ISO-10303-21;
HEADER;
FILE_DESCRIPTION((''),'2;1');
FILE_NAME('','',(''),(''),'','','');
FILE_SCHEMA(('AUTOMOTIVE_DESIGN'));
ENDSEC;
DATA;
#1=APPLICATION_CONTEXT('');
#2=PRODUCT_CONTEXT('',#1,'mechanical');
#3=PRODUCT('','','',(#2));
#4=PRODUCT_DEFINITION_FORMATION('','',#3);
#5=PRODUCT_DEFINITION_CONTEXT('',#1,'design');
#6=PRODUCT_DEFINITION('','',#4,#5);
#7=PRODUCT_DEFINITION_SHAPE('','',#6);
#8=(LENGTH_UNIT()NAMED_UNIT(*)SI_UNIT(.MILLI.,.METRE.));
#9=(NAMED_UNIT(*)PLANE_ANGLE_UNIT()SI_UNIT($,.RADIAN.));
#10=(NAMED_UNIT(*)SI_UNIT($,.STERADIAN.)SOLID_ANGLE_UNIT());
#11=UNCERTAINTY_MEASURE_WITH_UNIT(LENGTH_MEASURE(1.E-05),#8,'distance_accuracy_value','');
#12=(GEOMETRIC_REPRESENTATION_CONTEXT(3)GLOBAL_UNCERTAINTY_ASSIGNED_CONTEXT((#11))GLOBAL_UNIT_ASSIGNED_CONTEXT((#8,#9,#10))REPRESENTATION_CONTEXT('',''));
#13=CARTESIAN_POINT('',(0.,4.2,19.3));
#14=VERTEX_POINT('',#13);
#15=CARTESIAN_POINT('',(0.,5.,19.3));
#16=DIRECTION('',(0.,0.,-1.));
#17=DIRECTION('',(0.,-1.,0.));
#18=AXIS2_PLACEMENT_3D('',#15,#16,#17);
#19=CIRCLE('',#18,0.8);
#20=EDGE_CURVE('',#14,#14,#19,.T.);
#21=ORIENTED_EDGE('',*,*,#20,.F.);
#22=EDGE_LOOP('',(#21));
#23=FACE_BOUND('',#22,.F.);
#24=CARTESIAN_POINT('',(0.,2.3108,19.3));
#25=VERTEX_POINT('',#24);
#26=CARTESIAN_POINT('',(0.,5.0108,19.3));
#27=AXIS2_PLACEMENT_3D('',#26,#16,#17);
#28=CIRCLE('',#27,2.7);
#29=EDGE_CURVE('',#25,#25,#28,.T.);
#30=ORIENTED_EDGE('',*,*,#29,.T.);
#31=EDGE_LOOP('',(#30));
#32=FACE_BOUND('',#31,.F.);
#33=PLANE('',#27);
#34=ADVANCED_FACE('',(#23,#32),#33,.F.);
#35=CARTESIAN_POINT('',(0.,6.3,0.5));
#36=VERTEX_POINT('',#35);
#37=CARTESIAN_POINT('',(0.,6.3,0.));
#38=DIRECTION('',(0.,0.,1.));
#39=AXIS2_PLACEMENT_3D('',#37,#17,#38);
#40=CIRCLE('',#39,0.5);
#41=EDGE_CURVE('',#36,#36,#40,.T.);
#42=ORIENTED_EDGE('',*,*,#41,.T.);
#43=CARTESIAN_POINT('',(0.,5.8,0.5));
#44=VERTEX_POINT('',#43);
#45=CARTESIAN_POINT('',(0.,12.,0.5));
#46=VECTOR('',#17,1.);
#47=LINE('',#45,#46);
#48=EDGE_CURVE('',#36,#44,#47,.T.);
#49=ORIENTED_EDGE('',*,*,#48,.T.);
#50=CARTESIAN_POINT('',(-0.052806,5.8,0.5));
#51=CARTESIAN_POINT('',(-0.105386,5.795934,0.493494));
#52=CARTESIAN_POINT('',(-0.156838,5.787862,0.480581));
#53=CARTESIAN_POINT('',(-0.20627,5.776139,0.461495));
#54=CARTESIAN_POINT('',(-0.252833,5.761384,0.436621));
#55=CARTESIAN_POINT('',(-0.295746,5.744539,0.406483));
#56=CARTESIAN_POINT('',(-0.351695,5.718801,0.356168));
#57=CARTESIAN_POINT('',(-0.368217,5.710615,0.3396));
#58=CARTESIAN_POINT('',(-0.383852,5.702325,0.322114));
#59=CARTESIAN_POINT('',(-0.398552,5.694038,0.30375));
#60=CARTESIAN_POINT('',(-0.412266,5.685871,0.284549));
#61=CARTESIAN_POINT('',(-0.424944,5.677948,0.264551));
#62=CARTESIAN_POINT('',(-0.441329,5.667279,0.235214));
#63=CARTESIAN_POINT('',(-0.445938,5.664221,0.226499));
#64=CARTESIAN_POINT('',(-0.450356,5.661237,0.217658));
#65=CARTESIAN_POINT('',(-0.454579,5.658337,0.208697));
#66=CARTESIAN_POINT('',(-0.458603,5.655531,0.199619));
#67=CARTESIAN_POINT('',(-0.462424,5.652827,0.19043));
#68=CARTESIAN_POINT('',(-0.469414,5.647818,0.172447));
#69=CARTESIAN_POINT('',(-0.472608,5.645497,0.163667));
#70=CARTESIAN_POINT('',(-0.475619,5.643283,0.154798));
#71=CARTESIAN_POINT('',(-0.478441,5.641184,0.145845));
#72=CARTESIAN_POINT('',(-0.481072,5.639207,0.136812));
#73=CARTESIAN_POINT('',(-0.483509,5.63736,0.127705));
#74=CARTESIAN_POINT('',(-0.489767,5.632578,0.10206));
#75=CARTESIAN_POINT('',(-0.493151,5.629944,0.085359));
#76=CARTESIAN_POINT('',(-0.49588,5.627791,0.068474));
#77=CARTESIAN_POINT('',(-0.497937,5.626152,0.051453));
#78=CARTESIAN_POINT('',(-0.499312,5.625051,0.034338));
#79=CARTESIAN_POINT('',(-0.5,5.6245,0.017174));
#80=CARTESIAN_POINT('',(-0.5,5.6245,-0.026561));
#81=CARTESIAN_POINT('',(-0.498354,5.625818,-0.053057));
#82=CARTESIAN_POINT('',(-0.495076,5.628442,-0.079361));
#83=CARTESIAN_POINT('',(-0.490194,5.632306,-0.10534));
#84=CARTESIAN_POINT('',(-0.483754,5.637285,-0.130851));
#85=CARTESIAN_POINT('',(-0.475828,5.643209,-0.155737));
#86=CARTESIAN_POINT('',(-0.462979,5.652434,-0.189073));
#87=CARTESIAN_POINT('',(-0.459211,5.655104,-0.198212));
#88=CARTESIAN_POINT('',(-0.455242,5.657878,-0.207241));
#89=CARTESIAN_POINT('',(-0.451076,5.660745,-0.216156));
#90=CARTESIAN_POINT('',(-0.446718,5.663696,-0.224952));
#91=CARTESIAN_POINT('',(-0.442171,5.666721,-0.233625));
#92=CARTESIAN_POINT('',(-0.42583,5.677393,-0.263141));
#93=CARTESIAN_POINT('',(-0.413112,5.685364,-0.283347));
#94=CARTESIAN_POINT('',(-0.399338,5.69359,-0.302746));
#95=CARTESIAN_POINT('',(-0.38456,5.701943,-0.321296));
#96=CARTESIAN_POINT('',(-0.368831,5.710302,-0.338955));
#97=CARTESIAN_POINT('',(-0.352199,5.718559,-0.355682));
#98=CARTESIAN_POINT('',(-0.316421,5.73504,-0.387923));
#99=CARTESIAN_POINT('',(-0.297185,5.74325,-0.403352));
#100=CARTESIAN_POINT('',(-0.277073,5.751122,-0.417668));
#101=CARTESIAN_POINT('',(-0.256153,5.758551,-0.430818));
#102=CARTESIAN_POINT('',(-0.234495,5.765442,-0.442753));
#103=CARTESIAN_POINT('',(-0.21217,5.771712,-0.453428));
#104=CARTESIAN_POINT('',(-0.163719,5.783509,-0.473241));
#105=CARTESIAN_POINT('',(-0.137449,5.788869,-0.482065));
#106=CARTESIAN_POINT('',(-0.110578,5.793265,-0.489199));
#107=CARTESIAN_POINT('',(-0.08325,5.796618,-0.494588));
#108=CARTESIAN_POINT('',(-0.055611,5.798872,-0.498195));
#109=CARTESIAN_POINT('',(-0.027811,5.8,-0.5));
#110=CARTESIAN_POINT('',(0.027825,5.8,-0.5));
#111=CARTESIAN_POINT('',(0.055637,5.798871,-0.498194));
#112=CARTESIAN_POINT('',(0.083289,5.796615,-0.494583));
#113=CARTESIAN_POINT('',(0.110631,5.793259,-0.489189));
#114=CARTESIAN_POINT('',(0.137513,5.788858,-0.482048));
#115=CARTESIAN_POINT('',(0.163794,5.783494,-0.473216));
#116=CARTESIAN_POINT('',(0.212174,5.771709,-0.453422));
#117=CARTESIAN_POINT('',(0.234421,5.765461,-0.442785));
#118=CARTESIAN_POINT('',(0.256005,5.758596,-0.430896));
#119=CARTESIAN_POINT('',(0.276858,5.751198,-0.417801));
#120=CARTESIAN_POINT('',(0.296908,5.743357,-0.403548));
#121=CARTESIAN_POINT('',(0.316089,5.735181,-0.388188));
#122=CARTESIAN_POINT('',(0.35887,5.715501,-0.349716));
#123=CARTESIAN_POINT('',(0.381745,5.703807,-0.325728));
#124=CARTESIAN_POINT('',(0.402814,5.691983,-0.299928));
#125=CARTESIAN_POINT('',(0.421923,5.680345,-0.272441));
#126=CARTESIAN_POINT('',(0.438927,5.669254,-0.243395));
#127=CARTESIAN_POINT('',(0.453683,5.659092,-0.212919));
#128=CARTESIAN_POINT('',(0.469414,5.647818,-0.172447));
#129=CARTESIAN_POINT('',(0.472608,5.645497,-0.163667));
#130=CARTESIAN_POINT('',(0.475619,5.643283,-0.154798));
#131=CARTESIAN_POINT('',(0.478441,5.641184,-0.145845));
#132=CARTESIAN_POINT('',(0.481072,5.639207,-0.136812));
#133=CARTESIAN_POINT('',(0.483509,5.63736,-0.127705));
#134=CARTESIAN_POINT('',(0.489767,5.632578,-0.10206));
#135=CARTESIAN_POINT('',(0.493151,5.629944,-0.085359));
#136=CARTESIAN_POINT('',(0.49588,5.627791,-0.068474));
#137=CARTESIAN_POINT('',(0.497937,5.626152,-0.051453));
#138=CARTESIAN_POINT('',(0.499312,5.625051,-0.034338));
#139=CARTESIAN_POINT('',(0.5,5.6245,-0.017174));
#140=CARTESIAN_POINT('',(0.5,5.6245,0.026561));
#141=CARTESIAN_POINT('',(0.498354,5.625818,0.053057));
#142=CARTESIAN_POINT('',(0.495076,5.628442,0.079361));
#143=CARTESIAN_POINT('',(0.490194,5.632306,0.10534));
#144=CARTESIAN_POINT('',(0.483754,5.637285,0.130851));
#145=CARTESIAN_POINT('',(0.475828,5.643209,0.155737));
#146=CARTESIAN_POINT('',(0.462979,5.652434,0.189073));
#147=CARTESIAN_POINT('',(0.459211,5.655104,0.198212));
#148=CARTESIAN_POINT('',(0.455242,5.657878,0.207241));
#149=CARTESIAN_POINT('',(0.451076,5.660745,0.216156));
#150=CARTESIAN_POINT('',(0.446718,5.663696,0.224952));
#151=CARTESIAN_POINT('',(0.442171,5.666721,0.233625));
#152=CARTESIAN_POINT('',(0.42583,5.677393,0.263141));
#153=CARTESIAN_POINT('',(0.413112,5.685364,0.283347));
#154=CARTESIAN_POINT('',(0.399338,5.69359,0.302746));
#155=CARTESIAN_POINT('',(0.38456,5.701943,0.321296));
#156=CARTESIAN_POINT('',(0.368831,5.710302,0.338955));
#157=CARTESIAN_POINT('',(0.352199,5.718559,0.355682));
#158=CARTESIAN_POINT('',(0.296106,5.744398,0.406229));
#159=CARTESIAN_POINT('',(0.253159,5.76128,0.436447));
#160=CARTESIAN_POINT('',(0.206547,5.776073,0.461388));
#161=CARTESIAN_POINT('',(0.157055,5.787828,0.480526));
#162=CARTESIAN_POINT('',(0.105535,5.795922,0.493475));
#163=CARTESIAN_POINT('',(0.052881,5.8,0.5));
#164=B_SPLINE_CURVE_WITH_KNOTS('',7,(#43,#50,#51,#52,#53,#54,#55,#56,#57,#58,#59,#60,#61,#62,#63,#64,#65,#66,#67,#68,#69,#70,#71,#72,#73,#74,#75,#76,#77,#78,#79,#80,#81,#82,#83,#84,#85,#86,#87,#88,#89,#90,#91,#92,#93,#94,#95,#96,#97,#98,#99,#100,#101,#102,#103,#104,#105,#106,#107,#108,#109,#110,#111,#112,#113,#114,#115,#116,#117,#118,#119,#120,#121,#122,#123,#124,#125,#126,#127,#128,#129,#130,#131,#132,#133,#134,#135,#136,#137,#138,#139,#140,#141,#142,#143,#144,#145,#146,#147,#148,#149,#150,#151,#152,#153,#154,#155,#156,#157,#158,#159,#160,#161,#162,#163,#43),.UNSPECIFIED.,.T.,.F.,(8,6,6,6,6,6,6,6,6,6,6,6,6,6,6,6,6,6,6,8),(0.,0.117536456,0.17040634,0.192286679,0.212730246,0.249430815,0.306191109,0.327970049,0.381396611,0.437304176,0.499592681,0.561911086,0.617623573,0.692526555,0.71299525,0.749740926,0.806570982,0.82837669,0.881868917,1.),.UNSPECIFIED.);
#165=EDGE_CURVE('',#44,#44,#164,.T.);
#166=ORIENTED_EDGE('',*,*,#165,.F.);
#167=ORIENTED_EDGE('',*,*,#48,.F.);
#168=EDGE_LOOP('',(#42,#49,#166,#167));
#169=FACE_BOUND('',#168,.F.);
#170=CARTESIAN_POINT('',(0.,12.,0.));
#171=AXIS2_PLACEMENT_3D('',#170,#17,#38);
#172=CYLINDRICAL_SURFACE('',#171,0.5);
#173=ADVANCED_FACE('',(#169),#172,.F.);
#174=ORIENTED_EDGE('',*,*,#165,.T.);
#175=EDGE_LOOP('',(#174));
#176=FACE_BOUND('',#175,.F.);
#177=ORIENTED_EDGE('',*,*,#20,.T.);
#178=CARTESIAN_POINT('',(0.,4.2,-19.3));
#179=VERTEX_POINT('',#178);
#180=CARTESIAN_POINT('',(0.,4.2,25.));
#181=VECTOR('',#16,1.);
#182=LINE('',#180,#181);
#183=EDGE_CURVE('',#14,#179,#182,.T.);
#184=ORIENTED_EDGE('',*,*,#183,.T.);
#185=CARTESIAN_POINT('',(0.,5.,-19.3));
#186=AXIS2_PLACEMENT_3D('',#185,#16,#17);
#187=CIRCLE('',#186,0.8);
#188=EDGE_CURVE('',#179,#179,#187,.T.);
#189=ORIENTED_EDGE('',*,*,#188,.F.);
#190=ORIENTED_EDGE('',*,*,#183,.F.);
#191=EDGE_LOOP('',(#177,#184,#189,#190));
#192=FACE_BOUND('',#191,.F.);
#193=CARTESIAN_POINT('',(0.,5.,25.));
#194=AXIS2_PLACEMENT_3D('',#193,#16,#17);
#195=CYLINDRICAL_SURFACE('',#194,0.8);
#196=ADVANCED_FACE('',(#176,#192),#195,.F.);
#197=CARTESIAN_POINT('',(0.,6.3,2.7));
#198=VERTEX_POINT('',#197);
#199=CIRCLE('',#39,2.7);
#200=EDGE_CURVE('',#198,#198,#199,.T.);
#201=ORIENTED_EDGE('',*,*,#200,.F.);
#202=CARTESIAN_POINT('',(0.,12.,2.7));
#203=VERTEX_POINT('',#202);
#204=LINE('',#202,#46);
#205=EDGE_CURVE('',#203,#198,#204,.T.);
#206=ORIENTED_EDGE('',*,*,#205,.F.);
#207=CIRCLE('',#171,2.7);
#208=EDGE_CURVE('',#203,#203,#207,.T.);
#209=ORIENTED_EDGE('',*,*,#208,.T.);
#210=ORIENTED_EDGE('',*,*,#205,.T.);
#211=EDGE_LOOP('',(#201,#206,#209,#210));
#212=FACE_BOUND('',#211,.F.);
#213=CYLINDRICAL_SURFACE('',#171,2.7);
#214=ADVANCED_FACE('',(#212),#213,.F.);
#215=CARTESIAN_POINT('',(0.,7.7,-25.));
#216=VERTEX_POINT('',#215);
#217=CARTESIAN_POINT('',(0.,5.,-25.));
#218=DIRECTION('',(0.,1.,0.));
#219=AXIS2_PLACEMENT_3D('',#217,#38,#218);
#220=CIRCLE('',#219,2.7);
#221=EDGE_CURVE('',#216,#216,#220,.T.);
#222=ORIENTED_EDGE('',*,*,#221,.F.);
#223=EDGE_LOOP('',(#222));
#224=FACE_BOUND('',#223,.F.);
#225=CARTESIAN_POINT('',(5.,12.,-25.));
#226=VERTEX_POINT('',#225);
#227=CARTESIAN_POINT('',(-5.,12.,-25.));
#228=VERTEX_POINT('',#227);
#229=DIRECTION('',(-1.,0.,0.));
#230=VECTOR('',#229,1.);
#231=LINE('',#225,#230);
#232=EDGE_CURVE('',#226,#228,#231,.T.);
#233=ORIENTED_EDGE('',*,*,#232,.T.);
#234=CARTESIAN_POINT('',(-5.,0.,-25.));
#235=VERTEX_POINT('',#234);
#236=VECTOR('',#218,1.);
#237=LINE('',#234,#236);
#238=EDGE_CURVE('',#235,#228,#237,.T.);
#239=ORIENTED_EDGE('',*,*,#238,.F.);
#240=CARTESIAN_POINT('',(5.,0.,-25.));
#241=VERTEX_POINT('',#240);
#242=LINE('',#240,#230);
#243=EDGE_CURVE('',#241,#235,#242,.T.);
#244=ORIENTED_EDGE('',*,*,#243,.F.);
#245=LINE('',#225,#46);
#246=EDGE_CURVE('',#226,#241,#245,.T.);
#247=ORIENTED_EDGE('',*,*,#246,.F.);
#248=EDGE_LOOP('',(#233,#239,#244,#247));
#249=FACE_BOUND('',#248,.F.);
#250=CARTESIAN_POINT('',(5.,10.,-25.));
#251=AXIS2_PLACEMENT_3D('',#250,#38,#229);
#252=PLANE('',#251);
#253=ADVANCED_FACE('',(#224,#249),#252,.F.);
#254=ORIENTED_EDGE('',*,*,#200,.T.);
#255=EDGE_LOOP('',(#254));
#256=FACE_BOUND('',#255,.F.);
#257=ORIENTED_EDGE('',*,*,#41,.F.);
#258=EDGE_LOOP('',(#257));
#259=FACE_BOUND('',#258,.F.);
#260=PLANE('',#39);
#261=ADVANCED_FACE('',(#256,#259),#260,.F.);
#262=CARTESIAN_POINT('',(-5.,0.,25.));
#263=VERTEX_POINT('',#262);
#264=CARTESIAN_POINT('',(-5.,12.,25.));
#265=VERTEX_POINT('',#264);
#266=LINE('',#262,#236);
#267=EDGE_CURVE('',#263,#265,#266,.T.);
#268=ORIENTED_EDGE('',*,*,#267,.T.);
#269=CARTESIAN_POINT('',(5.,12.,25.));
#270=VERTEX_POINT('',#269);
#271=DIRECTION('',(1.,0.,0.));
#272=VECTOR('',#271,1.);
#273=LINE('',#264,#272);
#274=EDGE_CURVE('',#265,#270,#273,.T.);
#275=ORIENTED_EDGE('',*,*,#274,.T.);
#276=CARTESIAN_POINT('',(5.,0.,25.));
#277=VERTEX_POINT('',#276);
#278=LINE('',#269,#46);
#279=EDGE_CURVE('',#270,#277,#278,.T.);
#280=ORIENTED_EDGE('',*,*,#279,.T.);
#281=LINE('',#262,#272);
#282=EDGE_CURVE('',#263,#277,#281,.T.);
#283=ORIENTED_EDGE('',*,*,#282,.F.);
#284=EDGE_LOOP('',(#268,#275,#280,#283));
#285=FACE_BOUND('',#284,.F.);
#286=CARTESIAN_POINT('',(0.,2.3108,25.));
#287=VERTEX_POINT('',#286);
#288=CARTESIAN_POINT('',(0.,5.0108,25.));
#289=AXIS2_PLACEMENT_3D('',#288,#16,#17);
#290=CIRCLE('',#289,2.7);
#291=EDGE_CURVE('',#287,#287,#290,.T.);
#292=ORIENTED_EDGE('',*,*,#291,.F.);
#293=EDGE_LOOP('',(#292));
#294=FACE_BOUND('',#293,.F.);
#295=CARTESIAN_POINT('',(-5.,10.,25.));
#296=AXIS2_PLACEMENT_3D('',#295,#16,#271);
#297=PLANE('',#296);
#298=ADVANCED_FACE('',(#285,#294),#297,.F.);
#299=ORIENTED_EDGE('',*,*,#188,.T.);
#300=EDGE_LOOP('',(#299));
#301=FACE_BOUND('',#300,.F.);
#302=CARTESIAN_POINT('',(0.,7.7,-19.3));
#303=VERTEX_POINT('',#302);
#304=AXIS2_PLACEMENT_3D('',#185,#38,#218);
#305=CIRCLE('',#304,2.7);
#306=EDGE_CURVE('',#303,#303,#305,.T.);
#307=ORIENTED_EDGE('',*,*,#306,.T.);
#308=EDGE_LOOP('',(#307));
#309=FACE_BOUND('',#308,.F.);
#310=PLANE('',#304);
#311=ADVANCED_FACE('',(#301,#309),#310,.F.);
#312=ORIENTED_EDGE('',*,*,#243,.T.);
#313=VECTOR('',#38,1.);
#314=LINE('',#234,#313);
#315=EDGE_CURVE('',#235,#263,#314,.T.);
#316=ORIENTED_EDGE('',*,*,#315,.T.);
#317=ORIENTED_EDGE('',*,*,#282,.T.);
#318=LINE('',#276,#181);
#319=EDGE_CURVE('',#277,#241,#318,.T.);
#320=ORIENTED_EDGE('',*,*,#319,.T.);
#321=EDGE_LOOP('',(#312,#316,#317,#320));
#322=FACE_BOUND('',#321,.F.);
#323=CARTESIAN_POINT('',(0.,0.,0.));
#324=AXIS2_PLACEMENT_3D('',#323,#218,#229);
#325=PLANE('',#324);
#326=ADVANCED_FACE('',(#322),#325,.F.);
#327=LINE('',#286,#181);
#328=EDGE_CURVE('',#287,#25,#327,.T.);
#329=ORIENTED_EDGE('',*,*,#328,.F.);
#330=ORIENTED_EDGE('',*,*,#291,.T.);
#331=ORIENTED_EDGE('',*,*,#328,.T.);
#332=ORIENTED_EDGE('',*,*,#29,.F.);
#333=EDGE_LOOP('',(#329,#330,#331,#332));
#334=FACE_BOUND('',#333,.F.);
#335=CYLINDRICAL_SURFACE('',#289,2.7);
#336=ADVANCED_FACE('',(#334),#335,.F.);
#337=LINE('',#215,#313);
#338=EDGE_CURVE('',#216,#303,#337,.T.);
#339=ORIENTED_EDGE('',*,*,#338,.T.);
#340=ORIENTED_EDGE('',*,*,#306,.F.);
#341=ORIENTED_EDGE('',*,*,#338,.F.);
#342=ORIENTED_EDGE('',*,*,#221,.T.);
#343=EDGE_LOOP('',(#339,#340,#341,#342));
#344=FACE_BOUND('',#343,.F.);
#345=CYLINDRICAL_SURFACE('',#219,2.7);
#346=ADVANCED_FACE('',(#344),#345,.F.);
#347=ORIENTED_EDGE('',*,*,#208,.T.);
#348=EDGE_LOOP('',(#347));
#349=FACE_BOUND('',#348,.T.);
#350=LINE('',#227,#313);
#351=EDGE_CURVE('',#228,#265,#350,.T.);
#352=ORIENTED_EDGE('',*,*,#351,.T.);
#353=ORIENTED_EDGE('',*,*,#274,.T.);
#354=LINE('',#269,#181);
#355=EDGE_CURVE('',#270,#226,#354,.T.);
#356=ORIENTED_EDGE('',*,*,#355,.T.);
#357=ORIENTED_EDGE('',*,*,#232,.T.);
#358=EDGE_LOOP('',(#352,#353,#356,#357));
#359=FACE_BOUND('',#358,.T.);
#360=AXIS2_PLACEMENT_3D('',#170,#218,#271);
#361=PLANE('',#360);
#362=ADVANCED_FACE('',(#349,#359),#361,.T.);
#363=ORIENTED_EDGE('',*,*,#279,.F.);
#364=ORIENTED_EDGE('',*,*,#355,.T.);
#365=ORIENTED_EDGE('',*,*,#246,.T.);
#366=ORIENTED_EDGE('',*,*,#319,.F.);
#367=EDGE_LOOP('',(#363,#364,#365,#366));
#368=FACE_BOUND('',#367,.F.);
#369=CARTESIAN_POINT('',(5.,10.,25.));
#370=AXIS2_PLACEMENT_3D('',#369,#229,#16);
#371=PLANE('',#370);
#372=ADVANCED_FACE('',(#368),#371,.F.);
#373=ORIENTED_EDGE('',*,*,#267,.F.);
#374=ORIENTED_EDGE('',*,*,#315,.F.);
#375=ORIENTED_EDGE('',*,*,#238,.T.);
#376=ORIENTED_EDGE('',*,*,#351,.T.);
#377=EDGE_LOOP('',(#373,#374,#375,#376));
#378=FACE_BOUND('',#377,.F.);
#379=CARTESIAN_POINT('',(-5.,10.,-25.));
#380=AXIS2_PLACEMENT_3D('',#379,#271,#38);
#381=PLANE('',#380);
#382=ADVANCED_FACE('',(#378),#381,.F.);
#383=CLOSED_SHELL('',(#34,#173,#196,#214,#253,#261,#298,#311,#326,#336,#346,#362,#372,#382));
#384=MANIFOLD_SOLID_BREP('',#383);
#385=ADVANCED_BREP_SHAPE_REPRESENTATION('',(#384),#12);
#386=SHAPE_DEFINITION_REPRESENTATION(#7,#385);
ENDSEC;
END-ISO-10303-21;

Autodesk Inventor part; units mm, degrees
ref_plane "YZ Plane" through (0, 0, 0) normal (1, 0, 0) x (0, 1, 0)
ref_plane "XZ Plane" through (0, 0, 0) normal (0, 1, 0) x (-1, 0, 0)
ref_plane "XY Plane" through (0, 0, 0) normal (0, 0, 1) x (1, 0, 0)
sketch "Skizze1" plane through (0, 0, 0) normal (0, 1, 0) x (-1, 0, 0)
  line L0 (-5, -25) -> (5, -25)
  line L1 (5, -25) -> (5, 25)
  line L2 (5, 25) -> (-5, 25)
  line L3 (-5, 25) -> (-5, -25)
  line L4 (-5, -25) -> (5, 25) construction
  line L5 (5, -25) -> (-5, 25) construction
  point P0 (0, 0)
  dimension "d0" = 10
  dimension "d1" = 50
extrude "Extrusion1" add sketch "Skizze1" along normal blind 10
sketch "Skizze2" plane through (-5, 0, 25) normal (0, 0, 1) x (1, 0, 0)
  circle A0 centre (5, 5) radius 0.8
  point P0 (5, 0)
  dimension "d4" = 1.6
hole "Bohrung1" at (0, 5, 25) direction (0, 0, -1) diameter 1.6 end through all
sketch "Skizze3" plane through (0, 10, 0) normal (0, 1, 0) x (1, 0, 0)
  point P0 (0, 0)
sketch "Skizze4" plane through (0, 10, 0) normal (0, 1, 0) x (1, 0, 0)
  point P0 (0, 0)
sketch "Skizze5" plane through (0, 10, 0) normal (0, 1, 0) x (1, 0, 0)
  line L0 (-5, 25) -> (-5, -25) projected
  line L1 (5, -25) -> (5, 25) projected
  line L2 (-5, -25) -> (5, -25)
  line L3 (5, -25) -> (5, 25)
  line L4 (5, 25) -> (-5, 25)
  line L5 (-5, 25) -> (-5, -25)
  point P0 (0, 0)
extrude "Extrusion2" add sketch "Skizze5" along normal blind 2
sketch "Skizze6" plane through (0, 12, 0) normal (0, 1, 0) x (1, 0, 0)
  point P0 (0, 0)
hole "Bohrung2" at (0, 12, 0) direction (0, -1, 0) diameter 1 depth 6.7
sketch "Skizze7" plane through (0, 12, 0) normal (0, 1, 0) x (1, 0, 0)
  point P0 (0, 0)
hole "Bohrung3" at (0, 12, 0) direction (0, -1, 0) diameter 5.4 depth 5.7
sketch "Skizze8" plane through (-5, 0, 25) normal (0, 0, 1) x (1, 0, 0)
  circle A0 centre (5, 5.0108) radius 1.4918
  point P0 (5, 0)
hole "Bohrung4" at (0, 5.0108, 25) direction (0, 0, -1) diameter 5.4 depth 5.7
sketch "Skizze9" plane through (5, 0, -25) normal (0, 0, -1) x (-1, 0, 0)
  circle A0 centre (5, 5) radius 0.8 projected
  circle A1 centre (5, 5) radius 2.7
  point P0 (5, 0)
  dimension "d35" = 5.4
hole "Bohrung5" at (0, 5, -25) direction (0, 0, 1) diameter 5.4 depth 5.7
properties part number "T-Sensor_PT100" material "PMMA-Kunststoff"
